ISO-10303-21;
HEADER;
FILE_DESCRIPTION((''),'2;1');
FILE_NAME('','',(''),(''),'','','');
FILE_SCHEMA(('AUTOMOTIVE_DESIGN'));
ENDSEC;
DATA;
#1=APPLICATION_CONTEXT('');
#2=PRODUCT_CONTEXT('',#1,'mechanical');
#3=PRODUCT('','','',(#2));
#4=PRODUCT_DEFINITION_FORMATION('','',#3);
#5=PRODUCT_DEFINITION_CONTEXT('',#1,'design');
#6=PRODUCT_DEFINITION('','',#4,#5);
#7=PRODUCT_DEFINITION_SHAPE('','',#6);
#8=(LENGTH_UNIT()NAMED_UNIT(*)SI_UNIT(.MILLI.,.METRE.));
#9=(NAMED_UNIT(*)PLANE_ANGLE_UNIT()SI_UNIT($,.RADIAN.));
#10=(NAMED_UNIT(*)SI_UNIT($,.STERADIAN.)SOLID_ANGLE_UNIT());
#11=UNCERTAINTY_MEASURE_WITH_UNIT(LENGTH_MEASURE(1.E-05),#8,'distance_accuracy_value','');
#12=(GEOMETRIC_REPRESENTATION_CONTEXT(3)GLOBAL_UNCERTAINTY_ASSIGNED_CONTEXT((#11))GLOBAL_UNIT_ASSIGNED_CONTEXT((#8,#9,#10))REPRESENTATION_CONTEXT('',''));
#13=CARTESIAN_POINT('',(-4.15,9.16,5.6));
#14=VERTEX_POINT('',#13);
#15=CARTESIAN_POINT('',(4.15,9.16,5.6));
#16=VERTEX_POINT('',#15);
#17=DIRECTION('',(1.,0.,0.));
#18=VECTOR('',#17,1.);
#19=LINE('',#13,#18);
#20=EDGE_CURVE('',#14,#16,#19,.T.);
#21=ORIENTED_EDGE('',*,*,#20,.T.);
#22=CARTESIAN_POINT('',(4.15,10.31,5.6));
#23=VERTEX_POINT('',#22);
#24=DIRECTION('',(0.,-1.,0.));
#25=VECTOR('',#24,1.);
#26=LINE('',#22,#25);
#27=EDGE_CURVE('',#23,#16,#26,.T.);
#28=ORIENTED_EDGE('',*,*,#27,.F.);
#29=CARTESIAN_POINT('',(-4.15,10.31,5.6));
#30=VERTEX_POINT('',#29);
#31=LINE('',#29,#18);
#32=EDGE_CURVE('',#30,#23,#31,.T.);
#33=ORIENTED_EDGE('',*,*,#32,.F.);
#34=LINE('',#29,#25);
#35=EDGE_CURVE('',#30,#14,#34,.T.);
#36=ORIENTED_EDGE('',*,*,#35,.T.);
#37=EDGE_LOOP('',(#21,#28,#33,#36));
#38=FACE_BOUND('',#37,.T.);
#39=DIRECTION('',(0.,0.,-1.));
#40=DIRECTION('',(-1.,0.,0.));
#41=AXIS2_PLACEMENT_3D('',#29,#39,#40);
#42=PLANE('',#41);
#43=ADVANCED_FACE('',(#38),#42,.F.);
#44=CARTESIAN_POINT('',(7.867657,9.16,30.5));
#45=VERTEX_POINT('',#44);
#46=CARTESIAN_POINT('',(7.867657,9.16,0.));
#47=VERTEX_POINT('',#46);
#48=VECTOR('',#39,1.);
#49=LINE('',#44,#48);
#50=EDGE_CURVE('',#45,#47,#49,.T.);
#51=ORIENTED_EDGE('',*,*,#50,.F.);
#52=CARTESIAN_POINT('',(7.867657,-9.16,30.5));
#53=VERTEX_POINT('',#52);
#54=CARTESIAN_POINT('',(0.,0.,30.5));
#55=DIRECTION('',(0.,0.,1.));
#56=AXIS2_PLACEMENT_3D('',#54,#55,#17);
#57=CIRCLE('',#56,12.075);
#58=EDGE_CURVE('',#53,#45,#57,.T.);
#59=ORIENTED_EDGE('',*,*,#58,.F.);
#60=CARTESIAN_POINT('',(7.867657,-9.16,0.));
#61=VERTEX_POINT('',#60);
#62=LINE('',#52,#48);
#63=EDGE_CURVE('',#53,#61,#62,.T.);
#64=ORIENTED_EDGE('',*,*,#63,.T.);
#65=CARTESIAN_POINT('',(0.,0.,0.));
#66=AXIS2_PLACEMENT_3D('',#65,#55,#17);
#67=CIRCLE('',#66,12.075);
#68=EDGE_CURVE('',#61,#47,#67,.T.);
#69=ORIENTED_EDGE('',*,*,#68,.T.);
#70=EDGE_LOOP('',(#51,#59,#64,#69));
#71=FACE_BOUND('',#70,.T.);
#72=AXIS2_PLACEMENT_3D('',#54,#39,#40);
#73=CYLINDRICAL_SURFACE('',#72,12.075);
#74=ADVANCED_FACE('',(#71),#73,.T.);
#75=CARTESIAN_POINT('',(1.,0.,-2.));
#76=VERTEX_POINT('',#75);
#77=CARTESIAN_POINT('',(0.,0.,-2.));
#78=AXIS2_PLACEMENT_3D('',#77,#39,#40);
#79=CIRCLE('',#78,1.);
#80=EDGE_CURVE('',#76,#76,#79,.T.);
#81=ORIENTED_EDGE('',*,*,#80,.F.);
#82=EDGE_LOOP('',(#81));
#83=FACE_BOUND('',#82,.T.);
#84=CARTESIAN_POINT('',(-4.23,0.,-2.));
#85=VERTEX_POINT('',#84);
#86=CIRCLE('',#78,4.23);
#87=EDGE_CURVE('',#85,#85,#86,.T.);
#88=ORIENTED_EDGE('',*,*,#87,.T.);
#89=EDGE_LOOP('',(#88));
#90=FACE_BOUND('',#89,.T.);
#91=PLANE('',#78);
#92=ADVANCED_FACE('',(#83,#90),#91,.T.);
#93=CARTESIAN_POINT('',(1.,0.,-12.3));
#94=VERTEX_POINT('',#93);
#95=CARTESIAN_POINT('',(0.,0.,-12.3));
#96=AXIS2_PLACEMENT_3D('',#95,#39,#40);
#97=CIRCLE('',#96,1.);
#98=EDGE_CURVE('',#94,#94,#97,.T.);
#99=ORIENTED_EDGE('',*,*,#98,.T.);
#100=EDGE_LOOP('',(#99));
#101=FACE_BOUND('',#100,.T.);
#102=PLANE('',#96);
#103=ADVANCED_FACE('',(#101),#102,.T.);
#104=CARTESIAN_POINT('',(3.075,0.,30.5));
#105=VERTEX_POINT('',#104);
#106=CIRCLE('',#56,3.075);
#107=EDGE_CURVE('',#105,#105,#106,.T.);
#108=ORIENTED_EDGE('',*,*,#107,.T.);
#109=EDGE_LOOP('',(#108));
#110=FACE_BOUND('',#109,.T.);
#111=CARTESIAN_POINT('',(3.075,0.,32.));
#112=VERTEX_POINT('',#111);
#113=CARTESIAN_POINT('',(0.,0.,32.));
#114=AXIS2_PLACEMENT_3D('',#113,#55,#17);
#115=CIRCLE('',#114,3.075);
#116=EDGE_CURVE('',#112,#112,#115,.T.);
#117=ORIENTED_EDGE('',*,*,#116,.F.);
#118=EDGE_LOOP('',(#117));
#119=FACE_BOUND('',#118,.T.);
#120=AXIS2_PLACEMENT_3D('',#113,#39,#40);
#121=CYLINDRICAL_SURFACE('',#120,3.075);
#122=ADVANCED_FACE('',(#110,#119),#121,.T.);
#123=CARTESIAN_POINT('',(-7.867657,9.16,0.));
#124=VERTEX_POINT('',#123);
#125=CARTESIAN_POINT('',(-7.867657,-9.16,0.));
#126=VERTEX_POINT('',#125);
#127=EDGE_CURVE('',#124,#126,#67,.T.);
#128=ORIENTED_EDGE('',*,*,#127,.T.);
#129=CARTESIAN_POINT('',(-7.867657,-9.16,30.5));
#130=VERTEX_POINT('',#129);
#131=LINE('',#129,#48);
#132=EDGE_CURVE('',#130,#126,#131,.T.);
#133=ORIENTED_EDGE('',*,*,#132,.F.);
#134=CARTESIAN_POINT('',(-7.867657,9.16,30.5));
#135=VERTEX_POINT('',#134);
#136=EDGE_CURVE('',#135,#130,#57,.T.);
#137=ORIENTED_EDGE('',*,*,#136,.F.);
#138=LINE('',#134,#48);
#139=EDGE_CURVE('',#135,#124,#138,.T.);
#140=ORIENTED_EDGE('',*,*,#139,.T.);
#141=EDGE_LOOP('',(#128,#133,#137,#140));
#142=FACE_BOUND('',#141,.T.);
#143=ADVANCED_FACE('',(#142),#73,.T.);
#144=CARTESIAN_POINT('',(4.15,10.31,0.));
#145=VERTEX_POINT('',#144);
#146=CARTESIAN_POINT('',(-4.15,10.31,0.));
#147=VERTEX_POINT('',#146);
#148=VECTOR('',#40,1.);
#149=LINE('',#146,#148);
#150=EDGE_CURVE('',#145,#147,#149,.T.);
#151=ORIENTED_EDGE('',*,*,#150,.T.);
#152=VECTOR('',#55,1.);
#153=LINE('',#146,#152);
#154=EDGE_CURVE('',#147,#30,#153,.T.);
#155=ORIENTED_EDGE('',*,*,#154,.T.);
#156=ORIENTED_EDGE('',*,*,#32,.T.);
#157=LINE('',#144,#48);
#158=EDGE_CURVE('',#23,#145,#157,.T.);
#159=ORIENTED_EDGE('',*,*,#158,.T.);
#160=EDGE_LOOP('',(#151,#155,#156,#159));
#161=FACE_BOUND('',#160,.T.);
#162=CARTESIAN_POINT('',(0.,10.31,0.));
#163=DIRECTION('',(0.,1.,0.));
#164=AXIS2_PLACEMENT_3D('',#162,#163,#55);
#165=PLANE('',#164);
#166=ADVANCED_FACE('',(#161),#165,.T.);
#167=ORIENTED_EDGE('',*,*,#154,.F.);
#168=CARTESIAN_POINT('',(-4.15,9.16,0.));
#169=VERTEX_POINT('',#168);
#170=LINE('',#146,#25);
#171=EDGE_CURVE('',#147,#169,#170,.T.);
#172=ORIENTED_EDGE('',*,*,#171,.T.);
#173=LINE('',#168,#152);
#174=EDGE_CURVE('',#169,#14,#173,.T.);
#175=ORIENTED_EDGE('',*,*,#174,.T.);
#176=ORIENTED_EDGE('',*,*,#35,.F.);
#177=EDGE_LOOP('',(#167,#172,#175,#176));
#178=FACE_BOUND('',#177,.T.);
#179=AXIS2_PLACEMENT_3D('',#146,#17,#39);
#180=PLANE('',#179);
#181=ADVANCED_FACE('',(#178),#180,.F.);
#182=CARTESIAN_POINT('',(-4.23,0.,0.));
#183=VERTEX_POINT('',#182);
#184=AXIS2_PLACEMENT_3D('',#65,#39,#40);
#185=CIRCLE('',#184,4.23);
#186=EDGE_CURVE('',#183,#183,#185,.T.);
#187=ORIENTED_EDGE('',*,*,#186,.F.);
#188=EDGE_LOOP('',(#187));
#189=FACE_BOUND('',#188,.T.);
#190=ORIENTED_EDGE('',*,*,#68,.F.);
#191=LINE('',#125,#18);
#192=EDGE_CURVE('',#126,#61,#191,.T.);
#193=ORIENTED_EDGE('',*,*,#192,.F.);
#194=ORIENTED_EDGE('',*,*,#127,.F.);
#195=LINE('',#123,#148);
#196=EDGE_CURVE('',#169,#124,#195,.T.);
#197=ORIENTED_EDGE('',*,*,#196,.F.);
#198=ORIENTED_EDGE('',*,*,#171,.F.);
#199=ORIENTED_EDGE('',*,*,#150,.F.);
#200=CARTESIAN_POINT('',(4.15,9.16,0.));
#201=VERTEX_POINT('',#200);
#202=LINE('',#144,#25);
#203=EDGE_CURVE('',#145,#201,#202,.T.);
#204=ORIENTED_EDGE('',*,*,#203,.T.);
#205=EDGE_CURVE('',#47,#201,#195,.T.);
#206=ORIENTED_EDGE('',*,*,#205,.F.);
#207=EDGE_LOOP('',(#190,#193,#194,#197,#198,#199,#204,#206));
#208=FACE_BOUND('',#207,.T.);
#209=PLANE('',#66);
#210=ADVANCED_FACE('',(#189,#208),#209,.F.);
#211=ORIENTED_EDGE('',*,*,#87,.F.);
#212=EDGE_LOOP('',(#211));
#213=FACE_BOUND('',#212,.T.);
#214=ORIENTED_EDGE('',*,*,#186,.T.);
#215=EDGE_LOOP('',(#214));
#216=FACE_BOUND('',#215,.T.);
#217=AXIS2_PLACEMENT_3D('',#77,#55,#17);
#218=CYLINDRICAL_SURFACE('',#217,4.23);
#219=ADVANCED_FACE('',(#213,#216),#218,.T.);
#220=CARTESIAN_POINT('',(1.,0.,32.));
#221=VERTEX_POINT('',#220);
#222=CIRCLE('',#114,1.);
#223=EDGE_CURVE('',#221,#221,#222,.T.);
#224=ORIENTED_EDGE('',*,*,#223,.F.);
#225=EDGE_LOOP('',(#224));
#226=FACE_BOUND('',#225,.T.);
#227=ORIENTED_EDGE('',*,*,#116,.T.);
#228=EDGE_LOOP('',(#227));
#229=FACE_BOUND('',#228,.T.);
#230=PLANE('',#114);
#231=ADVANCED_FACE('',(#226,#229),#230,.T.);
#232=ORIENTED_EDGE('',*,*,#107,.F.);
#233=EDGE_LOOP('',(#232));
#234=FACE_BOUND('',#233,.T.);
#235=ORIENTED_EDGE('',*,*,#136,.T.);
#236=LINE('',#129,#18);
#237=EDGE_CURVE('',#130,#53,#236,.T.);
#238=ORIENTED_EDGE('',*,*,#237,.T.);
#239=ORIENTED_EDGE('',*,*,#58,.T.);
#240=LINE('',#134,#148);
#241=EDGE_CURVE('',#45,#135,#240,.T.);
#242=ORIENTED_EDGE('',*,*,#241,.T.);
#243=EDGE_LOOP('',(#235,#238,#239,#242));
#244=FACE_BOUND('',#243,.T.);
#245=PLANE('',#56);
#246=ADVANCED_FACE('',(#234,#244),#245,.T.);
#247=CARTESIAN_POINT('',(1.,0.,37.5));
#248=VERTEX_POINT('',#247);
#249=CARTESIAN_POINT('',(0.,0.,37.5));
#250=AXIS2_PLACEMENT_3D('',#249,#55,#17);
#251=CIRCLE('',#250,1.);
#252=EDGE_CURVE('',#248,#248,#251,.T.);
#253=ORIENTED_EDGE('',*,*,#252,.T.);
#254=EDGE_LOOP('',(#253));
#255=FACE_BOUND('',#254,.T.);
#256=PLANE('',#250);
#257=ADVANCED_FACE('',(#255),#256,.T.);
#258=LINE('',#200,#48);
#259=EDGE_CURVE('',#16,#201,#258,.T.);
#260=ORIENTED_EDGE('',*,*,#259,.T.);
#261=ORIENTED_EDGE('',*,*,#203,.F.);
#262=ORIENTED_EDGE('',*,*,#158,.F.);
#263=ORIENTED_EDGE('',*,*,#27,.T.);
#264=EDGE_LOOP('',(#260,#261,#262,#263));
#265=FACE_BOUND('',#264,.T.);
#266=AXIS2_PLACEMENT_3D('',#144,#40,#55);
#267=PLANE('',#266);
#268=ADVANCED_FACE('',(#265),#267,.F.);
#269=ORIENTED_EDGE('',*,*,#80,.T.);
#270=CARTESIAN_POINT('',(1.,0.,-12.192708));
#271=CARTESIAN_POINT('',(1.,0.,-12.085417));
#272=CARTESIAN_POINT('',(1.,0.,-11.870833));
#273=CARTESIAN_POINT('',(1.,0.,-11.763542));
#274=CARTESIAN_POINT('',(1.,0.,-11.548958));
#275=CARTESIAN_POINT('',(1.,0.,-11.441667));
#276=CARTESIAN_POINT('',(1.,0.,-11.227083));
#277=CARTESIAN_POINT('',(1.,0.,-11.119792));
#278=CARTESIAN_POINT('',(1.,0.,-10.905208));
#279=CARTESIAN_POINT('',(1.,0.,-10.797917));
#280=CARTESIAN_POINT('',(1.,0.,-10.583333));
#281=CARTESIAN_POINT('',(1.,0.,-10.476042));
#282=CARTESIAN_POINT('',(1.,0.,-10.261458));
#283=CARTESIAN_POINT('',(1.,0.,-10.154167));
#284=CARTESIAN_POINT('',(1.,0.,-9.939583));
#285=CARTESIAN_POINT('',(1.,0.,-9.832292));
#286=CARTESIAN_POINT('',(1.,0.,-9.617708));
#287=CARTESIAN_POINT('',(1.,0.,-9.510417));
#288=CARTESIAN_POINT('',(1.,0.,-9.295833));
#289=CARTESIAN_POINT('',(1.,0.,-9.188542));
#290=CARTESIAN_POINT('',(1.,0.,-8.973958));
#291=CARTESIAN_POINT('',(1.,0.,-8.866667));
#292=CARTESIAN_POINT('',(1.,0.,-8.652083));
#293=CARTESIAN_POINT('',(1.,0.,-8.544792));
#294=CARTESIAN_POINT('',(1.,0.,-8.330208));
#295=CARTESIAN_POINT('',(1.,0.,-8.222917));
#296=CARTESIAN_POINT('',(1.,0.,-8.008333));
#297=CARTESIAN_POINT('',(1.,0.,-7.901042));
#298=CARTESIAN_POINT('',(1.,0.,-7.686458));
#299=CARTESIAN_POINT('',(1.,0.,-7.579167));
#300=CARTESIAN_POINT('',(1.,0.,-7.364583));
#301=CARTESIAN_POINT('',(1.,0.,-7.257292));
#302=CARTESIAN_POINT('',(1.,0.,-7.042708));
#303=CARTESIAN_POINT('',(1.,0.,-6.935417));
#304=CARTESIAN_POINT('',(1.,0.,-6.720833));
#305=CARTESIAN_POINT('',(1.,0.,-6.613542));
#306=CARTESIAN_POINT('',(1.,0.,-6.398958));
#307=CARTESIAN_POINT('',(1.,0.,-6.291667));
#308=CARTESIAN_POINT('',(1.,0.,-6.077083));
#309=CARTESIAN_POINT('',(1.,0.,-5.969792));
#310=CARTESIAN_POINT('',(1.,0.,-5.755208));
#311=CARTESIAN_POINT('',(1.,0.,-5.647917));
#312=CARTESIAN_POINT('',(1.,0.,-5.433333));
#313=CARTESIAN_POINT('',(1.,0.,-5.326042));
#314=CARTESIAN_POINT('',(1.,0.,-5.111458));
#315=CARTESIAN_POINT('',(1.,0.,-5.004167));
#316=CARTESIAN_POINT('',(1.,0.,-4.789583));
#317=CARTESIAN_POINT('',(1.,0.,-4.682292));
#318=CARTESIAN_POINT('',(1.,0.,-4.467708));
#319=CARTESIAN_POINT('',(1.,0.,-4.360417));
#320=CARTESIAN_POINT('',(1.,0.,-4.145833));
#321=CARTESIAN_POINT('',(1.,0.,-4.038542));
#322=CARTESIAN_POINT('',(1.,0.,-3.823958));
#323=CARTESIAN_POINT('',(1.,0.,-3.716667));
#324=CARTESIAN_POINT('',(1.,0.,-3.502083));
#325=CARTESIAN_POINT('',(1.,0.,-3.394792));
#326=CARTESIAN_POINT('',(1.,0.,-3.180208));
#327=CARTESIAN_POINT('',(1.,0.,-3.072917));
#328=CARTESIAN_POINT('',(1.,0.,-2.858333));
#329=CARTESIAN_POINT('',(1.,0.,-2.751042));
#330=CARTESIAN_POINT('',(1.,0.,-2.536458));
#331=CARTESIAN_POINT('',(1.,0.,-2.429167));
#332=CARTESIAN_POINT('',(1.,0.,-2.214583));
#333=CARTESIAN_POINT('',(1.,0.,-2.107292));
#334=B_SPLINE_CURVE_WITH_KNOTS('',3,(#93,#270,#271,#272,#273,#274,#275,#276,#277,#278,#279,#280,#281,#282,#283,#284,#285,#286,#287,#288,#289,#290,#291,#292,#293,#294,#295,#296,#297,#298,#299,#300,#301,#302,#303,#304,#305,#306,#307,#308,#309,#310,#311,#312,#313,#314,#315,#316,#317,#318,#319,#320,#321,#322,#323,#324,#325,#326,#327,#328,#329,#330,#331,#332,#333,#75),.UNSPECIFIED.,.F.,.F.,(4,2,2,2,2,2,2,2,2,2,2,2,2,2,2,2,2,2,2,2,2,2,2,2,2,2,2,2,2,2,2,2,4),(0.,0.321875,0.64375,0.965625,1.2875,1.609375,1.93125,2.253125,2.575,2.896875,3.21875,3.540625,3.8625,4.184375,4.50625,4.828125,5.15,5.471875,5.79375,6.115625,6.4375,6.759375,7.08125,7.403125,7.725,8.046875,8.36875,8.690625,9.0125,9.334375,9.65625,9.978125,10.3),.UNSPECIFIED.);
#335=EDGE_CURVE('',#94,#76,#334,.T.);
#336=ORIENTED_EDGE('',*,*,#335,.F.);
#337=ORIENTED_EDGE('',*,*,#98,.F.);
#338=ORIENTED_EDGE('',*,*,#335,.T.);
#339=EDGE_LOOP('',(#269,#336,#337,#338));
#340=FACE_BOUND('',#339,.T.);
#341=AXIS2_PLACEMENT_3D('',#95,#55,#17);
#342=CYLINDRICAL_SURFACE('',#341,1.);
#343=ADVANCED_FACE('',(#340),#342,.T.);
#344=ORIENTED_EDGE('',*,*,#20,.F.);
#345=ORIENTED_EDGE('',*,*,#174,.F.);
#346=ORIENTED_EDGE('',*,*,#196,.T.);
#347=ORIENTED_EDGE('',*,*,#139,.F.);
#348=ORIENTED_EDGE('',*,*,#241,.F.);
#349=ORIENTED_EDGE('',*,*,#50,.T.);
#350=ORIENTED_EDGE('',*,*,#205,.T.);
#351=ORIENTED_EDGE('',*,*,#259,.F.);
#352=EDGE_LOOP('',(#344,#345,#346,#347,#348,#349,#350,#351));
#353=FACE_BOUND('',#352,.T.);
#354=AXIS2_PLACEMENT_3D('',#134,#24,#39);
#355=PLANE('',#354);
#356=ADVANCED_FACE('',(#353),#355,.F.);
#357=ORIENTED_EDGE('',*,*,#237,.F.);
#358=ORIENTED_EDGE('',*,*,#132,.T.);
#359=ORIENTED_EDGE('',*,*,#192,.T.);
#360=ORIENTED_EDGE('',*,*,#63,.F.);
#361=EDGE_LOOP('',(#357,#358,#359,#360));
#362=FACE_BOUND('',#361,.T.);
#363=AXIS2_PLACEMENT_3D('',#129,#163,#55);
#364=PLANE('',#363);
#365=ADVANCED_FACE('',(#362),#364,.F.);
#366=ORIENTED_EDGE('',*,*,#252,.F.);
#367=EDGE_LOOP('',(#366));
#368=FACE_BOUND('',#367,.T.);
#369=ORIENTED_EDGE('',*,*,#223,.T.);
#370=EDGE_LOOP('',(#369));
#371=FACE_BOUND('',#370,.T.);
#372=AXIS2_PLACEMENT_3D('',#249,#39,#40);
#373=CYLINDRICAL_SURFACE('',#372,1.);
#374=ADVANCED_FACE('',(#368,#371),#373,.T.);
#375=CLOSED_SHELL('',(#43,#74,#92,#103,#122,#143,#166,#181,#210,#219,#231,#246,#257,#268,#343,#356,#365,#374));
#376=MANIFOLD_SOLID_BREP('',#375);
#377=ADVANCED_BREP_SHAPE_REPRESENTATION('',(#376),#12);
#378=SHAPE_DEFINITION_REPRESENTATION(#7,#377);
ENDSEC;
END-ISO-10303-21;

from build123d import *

# Parameters (mm, degrees)
MAIN_BODY_DEPTH          = 30.5
SKETCH2_R                = 4.23
LONG_SHAFT_COLLAR_DEPTH  = 2
SKETCH3_R                = 1
LONG_SHAFT_DEPTH         = 10.3
SKETCH5_W                = 8.3
SKETCH5_H                = 5.6
LEAD_BUMP_DEPTH          = 1.15
SKETCH6_R                = 3.075
SHORT_SHAFT_COLLAR_DEPTH = 1.5
SHORT_START              = 5.5
SKETCH7_R                = 1
SHORT_SHAFT_DEPTH        = 5.5


with BuildPart() as part:
    # Sketch1 → Main Body (new body)
    with BuildSketch(Plane.XY):
        with BuildLine():
            Line((-7.867656894, -9.16), (7.867656894, -9.16))
            ThreePointArc((7.867656894, -9.16), (12.075, 0), (7.867656894, 9.16))
            Line((7.867656894, 9.16), (-7.867656894, 9.16))
            ThreePointArc((-7.867656894, 9.16), (-12.075, 0), (-7.867656894, -9.16))
        make_face()
    extrude(amount=MAIN_BODY_DEPTH)

    # Sketch2 → Long Shaft Collar (add)
    with BuildSketch(Plane(origin=(0, 0, 0), x_dir=(-1, 0, 0), z_dir=(0, 0, -1))):
        Circle(SKETCH2_R)
    extrude(amount=LONG_SHAFT_COLLAR_DEPTH)

    # Sketch3 → Long Shaft (add)
    with BuildSketch(Plane(origin=(0, 0, -2), x_dir=(-1, 0, 0), z_dir=(0, 0, -1))):
        with Locations(Location((0, 0, 0), (0, 0, 180))):
            Circle(SKETCH3_R)
    extrude(amount=LONG_SHAFT_DEPTH)

    # Sketch5 → Lead Bump (add)
    with BuildSketch(Plane(origin=(0, 9.16, 0), x_dir=(1, 0, 0), z_dir=(0, 1, 0))):
        with Locations((0, -2.8)):
            Rectangle(SKETCH5_W, SKETCH5_H)
    extrude(amount=LEAD_BUMP_DEPTH)

    # Sketch6 → Short Shaft Collar (add)
    with BuildSketch(Plane.XY.offset(30.5)):
        Circle(SKETCH6_R)
    extrude(amount=SHORT_SHAFT_COLLAR_DEPTH)

    # Sketch7 → Short shaft (add)
    with BuildSketch(Plane.XY.offset(32).offset(SHORT_START)):
        Circle(SKETCH7_R)
    extrude(amount=-SHORT_SHAFT_DEPTH)


solid = part.part
